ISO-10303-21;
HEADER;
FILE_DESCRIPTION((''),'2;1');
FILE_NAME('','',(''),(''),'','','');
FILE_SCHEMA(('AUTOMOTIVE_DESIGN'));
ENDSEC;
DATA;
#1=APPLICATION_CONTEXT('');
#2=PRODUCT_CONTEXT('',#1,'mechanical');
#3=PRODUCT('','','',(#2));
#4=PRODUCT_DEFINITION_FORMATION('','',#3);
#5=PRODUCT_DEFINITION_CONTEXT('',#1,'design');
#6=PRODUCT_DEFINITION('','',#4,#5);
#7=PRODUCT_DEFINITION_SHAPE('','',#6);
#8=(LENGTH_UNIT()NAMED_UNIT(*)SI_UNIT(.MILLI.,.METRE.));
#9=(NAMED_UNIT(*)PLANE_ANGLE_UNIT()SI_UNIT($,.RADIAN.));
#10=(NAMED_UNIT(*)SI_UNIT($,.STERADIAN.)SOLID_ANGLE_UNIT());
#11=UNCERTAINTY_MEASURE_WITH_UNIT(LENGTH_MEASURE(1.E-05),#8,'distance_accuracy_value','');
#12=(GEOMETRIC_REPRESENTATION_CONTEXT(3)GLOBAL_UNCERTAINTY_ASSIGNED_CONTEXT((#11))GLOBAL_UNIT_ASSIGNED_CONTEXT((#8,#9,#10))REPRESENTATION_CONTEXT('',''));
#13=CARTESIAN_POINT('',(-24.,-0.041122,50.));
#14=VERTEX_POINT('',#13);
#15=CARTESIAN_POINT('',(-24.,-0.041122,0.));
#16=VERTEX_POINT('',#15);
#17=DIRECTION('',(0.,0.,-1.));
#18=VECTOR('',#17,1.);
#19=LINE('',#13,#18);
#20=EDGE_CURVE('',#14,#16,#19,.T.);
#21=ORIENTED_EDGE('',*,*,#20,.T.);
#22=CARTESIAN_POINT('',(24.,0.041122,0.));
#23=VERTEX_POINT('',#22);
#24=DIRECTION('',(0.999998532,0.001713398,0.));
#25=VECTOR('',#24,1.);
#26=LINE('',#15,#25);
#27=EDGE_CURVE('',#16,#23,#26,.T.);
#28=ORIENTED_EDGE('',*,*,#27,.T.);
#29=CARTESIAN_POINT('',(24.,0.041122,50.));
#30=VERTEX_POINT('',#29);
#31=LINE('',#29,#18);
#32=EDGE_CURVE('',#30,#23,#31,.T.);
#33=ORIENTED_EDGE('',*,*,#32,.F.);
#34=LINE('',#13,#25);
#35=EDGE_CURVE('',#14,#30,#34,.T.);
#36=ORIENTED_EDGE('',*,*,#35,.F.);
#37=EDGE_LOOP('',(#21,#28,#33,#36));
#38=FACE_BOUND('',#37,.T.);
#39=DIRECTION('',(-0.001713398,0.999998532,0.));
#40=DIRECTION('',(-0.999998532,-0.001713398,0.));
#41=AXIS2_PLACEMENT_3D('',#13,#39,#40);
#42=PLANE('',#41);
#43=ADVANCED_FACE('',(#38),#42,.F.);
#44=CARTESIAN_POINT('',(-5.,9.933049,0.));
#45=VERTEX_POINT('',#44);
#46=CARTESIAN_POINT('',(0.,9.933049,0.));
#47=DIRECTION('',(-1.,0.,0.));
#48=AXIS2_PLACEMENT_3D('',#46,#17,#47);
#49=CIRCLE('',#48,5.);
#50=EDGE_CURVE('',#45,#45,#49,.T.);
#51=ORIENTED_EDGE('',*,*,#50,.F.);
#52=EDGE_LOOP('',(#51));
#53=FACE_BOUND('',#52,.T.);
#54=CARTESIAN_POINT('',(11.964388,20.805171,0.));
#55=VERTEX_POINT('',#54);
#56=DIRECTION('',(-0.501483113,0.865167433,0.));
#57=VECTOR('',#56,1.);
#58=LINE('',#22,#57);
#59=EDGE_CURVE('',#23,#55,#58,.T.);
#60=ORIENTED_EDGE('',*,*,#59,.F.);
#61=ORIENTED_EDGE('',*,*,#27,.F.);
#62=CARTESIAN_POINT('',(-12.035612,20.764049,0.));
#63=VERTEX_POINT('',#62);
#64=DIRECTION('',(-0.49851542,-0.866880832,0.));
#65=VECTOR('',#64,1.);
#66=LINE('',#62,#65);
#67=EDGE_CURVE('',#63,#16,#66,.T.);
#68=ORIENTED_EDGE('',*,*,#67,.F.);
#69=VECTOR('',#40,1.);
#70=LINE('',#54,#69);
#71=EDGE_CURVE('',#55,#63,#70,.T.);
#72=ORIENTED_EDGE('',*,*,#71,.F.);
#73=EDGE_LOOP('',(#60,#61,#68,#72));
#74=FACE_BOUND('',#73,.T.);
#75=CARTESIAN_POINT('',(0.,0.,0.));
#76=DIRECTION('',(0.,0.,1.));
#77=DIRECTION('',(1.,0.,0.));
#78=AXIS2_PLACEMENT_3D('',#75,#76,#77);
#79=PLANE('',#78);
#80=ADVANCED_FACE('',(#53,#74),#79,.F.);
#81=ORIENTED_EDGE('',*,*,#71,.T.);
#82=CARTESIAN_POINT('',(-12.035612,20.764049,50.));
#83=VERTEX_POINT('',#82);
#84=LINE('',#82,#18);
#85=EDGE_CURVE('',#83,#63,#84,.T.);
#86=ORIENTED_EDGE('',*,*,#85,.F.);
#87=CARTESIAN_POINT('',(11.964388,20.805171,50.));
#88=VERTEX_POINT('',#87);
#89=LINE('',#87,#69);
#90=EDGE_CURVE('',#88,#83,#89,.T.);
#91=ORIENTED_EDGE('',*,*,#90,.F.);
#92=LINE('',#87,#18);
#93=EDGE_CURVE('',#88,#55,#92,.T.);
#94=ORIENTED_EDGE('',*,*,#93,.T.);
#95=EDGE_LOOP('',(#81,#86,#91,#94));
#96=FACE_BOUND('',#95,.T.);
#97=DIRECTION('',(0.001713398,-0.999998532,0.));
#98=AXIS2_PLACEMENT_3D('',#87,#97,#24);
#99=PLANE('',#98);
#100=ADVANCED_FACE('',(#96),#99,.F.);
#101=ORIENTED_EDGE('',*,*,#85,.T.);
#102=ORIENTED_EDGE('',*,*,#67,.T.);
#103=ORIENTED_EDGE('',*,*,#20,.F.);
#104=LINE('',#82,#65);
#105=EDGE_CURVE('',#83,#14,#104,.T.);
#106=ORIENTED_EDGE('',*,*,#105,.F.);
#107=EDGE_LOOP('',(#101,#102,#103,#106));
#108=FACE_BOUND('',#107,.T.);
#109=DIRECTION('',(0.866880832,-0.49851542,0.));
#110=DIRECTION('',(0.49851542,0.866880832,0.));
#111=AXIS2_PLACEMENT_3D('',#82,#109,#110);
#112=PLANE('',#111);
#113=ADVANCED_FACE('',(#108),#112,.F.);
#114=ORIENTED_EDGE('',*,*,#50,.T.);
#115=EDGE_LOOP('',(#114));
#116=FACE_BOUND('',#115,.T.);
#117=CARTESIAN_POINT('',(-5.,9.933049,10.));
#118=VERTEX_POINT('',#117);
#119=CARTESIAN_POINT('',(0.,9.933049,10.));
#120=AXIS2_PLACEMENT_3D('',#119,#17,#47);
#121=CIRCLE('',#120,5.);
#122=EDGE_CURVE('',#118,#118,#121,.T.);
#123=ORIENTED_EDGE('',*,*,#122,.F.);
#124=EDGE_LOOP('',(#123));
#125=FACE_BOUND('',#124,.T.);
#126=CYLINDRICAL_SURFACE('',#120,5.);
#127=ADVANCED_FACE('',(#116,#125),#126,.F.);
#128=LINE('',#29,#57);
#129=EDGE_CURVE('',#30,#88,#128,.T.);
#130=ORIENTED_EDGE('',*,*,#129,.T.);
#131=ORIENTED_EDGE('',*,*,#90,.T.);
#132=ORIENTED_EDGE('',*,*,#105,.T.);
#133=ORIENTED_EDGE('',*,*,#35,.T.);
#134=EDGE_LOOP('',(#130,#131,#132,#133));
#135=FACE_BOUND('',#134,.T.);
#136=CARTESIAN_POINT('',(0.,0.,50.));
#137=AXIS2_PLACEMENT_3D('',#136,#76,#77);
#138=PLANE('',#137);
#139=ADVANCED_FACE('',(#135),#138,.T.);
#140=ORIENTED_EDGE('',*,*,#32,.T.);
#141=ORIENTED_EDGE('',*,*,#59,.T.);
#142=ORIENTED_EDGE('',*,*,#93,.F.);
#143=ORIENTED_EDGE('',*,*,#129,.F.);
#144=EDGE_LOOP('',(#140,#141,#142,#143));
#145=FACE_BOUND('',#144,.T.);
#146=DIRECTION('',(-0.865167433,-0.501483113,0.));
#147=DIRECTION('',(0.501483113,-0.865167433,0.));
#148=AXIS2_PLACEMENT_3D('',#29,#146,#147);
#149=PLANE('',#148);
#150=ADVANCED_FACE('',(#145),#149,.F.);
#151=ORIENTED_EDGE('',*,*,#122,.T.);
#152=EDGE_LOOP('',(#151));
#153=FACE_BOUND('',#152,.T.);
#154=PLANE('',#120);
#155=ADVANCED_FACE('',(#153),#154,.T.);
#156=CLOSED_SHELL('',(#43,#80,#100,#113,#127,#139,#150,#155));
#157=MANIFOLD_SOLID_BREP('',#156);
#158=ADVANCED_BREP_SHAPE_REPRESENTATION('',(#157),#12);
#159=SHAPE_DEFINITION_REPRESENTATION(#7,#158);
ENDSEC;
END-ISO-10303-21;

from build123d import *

# Parameters (mm, degrees)
SALIENTE_EXTRUIR1_DEPTH = 50
CROQUIS3_R              = 5
CORTAR_EXTRUIR1_DEPTH   = 10


with BuildPart() as part:
    # Croquis2 → Saliente-Extruir1 (new body)
    with BuildSketch(Plane.XY):
        Polygon((-24, -0.041121621), (24, 0.041121621), (11.964387631, 20.805170501), (-12.035612369, 20.76404888), align=None)
    extrude(amount=SALIENTE_EXTRUIR1_DEPTH)

    # Croquis3 → Cortar-Extruir1 (cut)
    with BuildSketch(Plane(origin=(0, 0, 0), x_dir=(-1, 0, 0), z_dir=(0, 0, -1))):
        with Locations((0, 9.933048714)):
            Circle(CROQUIS3_R)
    extrude(amount=-CORTAR_EXTRUIR1_DEPTH, mode=Mode.SUBTRACT)


solid = part.part
